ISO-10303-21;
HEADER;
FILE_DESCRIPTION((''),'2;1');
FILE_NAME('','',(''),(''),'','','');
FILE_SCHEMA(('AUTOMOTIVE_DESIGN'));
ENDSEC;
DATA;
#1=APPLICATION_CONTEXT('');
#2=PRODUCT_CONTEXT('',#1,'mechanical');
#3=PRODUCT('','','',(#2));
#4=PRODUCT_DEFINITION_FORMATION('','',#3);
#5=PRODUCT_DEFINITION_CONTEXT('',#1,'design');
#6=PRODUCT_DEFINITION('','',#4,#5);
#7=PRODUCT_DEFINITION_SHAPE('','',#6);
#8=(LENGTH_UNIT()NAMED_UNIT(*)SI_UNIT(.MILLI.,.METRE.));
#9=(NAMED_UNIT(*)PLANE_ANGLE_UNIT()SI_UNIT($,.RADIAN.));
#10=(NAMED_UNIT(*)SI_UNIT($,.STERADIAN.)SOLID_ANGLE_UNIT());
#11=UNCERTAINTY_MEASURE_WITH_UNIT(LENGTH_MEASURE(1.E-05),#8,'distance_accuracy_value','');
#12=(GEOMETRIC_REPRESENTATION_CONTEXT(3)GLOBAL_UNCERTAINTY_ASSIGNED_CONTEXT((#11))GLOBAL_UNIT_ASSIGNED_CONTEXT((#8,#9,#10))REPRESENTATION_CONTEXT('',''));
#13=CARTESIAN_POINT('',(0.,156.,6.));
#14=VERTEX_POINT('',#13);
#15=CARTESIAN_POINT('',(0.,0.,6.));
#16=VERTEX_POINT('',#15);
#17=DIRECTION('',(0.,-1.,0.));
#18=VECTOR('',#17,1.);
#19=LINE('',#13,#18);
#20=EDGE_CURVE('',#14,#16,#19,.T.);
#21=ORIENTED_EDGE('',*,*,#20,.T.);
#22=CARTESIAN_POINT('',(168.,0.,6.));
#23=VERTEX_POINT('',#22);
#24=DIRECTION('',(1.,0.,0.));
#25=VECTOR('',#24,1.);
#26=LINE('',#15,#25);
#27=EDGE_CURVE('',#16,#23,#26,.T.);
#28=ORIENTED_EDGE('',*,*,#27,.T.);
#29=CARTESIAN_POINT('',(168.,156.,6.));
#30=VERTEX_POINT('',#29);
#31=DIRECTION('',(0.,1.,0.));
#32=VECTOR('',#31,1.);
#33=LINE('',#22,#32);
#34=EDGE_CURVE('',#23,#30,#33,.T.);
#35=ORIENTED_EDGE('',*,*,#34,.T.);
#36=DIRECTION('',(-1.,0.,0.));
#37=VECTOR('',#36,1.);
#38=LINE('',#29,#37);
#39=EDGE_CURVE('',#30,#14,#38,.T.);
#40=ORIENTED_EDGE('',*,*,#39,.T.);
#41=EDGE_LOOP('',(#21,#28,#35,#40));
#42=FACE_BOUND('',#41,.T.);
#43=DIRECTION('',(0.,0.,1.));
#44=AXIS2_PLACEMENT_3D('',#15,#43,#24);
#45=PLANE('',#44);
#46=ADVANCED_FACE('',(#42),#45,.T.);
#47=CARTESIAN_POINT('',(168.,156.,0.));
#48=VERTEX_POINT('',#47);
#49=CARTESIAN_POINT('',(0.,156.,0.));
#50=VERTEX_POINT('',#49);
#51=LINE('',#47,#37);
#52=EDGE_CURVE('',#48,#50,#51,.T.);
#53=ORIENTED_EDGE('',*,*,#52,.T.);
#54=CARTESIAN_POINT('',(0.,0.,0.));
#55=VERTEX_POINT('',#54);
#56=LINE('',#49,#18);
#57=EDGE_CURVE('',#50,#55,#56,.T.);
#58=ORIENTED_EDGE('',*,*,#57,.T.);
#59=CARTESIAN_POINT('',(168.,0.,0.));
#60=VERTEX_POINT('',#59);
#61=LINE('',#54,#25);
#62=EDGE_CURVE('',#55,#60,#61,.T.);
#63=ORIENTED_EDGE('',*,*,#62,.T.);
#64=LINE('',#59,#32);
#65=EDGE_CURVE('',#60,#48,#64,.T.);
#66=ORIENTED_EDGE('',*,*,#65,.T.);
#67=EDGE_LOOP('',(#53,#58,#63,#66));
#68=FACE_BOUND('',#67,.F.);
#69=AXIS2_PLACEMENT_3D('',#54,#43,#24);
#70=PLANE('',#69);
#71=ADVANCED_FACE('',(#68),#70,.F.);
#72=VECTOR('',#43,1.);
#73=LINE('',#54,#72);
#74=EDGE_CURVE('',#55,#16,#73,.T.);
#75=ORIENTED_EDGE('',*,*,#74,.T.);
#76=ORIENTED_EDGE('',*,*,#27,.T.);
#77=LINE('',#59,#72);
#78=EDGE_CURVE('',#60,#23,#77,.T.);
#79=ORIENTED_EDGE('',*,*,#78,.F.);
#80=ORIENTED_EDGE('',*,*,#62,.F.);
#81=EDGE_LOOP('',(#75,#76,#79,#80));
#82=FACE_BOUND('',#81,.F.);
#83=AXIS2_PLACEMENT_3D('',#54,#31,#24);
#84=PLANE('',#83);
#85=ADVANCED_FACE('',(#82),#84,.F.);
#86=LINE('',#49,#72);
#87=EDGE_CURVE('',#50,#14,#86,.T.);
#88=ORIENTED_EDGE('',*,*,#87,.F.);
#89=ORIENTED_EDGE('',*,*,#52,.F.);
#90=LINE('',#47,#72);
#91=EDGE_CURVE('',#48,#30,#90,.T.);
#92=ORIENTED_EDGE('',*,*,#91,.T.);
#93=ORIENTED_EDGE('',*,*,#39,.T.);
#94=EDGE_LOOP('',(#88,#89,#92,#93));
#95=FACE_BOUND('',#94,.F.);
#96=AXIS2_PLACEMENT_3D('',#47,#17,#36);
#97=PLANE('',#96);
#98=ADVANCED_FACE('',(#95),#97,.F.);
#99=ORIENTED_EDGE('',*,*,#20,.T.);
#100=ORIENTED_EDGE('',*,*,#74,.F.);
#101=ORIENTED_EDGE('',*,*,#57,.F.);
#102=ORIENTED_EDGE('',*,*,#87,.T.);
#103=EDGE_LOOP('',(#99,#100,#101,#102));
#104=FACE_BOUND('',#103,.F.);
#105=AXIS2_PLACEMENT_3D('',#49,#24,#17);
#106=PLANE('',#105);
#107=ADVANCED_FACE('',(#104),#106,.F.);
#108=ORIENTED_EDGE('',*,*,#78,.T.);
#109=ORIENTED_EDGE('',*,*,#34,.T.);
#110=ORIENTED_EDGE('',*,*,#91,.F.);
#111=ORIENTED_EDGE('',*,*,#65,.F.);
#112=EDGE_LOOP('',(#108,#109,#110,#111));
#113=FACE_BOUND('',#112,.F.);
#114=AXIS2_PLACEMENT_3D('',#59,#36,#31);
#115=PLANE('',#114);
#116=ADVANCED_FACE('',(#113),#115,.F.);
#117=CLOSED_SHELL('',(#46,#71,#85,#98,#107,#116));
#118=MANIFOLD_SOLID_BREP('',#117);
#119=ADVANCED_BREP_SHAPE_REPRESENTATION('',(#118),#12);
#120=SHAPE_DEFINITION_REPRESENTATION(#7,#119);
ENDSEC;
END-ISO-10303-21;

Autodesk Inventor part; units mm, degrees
ref_plane "YZ Plane" through (0, 0, 0) normal (1, 0, 0) x (0, 1, 0)
ref_plane "XZ Plane" through (0, 0, 0) normal (0, 1, 0) x (-1, 0, 0)
ref_plane "XY Plane" through (0, 0, 0) normal (0, 0, 1) x (1, 0, 0)
sketch "Szkic1" plane through (0, 0, 0) normal (0, 0, 1) x (1, 0, 0)
  line L0 (0, 0) -> (168, 0)
  line L1 (168, 0) -> (168, 156)
  line L2 (168, 156) -> (0, 156)
  line L3 (0, 156) -> (0, 0)
  dimension "d0" = 168
  dimension "d1" = 156
extrude "Wyciągnięcie proste1" add sketch "Szkic1" along normal blind 6
properties part number "Sciana_168x156"
